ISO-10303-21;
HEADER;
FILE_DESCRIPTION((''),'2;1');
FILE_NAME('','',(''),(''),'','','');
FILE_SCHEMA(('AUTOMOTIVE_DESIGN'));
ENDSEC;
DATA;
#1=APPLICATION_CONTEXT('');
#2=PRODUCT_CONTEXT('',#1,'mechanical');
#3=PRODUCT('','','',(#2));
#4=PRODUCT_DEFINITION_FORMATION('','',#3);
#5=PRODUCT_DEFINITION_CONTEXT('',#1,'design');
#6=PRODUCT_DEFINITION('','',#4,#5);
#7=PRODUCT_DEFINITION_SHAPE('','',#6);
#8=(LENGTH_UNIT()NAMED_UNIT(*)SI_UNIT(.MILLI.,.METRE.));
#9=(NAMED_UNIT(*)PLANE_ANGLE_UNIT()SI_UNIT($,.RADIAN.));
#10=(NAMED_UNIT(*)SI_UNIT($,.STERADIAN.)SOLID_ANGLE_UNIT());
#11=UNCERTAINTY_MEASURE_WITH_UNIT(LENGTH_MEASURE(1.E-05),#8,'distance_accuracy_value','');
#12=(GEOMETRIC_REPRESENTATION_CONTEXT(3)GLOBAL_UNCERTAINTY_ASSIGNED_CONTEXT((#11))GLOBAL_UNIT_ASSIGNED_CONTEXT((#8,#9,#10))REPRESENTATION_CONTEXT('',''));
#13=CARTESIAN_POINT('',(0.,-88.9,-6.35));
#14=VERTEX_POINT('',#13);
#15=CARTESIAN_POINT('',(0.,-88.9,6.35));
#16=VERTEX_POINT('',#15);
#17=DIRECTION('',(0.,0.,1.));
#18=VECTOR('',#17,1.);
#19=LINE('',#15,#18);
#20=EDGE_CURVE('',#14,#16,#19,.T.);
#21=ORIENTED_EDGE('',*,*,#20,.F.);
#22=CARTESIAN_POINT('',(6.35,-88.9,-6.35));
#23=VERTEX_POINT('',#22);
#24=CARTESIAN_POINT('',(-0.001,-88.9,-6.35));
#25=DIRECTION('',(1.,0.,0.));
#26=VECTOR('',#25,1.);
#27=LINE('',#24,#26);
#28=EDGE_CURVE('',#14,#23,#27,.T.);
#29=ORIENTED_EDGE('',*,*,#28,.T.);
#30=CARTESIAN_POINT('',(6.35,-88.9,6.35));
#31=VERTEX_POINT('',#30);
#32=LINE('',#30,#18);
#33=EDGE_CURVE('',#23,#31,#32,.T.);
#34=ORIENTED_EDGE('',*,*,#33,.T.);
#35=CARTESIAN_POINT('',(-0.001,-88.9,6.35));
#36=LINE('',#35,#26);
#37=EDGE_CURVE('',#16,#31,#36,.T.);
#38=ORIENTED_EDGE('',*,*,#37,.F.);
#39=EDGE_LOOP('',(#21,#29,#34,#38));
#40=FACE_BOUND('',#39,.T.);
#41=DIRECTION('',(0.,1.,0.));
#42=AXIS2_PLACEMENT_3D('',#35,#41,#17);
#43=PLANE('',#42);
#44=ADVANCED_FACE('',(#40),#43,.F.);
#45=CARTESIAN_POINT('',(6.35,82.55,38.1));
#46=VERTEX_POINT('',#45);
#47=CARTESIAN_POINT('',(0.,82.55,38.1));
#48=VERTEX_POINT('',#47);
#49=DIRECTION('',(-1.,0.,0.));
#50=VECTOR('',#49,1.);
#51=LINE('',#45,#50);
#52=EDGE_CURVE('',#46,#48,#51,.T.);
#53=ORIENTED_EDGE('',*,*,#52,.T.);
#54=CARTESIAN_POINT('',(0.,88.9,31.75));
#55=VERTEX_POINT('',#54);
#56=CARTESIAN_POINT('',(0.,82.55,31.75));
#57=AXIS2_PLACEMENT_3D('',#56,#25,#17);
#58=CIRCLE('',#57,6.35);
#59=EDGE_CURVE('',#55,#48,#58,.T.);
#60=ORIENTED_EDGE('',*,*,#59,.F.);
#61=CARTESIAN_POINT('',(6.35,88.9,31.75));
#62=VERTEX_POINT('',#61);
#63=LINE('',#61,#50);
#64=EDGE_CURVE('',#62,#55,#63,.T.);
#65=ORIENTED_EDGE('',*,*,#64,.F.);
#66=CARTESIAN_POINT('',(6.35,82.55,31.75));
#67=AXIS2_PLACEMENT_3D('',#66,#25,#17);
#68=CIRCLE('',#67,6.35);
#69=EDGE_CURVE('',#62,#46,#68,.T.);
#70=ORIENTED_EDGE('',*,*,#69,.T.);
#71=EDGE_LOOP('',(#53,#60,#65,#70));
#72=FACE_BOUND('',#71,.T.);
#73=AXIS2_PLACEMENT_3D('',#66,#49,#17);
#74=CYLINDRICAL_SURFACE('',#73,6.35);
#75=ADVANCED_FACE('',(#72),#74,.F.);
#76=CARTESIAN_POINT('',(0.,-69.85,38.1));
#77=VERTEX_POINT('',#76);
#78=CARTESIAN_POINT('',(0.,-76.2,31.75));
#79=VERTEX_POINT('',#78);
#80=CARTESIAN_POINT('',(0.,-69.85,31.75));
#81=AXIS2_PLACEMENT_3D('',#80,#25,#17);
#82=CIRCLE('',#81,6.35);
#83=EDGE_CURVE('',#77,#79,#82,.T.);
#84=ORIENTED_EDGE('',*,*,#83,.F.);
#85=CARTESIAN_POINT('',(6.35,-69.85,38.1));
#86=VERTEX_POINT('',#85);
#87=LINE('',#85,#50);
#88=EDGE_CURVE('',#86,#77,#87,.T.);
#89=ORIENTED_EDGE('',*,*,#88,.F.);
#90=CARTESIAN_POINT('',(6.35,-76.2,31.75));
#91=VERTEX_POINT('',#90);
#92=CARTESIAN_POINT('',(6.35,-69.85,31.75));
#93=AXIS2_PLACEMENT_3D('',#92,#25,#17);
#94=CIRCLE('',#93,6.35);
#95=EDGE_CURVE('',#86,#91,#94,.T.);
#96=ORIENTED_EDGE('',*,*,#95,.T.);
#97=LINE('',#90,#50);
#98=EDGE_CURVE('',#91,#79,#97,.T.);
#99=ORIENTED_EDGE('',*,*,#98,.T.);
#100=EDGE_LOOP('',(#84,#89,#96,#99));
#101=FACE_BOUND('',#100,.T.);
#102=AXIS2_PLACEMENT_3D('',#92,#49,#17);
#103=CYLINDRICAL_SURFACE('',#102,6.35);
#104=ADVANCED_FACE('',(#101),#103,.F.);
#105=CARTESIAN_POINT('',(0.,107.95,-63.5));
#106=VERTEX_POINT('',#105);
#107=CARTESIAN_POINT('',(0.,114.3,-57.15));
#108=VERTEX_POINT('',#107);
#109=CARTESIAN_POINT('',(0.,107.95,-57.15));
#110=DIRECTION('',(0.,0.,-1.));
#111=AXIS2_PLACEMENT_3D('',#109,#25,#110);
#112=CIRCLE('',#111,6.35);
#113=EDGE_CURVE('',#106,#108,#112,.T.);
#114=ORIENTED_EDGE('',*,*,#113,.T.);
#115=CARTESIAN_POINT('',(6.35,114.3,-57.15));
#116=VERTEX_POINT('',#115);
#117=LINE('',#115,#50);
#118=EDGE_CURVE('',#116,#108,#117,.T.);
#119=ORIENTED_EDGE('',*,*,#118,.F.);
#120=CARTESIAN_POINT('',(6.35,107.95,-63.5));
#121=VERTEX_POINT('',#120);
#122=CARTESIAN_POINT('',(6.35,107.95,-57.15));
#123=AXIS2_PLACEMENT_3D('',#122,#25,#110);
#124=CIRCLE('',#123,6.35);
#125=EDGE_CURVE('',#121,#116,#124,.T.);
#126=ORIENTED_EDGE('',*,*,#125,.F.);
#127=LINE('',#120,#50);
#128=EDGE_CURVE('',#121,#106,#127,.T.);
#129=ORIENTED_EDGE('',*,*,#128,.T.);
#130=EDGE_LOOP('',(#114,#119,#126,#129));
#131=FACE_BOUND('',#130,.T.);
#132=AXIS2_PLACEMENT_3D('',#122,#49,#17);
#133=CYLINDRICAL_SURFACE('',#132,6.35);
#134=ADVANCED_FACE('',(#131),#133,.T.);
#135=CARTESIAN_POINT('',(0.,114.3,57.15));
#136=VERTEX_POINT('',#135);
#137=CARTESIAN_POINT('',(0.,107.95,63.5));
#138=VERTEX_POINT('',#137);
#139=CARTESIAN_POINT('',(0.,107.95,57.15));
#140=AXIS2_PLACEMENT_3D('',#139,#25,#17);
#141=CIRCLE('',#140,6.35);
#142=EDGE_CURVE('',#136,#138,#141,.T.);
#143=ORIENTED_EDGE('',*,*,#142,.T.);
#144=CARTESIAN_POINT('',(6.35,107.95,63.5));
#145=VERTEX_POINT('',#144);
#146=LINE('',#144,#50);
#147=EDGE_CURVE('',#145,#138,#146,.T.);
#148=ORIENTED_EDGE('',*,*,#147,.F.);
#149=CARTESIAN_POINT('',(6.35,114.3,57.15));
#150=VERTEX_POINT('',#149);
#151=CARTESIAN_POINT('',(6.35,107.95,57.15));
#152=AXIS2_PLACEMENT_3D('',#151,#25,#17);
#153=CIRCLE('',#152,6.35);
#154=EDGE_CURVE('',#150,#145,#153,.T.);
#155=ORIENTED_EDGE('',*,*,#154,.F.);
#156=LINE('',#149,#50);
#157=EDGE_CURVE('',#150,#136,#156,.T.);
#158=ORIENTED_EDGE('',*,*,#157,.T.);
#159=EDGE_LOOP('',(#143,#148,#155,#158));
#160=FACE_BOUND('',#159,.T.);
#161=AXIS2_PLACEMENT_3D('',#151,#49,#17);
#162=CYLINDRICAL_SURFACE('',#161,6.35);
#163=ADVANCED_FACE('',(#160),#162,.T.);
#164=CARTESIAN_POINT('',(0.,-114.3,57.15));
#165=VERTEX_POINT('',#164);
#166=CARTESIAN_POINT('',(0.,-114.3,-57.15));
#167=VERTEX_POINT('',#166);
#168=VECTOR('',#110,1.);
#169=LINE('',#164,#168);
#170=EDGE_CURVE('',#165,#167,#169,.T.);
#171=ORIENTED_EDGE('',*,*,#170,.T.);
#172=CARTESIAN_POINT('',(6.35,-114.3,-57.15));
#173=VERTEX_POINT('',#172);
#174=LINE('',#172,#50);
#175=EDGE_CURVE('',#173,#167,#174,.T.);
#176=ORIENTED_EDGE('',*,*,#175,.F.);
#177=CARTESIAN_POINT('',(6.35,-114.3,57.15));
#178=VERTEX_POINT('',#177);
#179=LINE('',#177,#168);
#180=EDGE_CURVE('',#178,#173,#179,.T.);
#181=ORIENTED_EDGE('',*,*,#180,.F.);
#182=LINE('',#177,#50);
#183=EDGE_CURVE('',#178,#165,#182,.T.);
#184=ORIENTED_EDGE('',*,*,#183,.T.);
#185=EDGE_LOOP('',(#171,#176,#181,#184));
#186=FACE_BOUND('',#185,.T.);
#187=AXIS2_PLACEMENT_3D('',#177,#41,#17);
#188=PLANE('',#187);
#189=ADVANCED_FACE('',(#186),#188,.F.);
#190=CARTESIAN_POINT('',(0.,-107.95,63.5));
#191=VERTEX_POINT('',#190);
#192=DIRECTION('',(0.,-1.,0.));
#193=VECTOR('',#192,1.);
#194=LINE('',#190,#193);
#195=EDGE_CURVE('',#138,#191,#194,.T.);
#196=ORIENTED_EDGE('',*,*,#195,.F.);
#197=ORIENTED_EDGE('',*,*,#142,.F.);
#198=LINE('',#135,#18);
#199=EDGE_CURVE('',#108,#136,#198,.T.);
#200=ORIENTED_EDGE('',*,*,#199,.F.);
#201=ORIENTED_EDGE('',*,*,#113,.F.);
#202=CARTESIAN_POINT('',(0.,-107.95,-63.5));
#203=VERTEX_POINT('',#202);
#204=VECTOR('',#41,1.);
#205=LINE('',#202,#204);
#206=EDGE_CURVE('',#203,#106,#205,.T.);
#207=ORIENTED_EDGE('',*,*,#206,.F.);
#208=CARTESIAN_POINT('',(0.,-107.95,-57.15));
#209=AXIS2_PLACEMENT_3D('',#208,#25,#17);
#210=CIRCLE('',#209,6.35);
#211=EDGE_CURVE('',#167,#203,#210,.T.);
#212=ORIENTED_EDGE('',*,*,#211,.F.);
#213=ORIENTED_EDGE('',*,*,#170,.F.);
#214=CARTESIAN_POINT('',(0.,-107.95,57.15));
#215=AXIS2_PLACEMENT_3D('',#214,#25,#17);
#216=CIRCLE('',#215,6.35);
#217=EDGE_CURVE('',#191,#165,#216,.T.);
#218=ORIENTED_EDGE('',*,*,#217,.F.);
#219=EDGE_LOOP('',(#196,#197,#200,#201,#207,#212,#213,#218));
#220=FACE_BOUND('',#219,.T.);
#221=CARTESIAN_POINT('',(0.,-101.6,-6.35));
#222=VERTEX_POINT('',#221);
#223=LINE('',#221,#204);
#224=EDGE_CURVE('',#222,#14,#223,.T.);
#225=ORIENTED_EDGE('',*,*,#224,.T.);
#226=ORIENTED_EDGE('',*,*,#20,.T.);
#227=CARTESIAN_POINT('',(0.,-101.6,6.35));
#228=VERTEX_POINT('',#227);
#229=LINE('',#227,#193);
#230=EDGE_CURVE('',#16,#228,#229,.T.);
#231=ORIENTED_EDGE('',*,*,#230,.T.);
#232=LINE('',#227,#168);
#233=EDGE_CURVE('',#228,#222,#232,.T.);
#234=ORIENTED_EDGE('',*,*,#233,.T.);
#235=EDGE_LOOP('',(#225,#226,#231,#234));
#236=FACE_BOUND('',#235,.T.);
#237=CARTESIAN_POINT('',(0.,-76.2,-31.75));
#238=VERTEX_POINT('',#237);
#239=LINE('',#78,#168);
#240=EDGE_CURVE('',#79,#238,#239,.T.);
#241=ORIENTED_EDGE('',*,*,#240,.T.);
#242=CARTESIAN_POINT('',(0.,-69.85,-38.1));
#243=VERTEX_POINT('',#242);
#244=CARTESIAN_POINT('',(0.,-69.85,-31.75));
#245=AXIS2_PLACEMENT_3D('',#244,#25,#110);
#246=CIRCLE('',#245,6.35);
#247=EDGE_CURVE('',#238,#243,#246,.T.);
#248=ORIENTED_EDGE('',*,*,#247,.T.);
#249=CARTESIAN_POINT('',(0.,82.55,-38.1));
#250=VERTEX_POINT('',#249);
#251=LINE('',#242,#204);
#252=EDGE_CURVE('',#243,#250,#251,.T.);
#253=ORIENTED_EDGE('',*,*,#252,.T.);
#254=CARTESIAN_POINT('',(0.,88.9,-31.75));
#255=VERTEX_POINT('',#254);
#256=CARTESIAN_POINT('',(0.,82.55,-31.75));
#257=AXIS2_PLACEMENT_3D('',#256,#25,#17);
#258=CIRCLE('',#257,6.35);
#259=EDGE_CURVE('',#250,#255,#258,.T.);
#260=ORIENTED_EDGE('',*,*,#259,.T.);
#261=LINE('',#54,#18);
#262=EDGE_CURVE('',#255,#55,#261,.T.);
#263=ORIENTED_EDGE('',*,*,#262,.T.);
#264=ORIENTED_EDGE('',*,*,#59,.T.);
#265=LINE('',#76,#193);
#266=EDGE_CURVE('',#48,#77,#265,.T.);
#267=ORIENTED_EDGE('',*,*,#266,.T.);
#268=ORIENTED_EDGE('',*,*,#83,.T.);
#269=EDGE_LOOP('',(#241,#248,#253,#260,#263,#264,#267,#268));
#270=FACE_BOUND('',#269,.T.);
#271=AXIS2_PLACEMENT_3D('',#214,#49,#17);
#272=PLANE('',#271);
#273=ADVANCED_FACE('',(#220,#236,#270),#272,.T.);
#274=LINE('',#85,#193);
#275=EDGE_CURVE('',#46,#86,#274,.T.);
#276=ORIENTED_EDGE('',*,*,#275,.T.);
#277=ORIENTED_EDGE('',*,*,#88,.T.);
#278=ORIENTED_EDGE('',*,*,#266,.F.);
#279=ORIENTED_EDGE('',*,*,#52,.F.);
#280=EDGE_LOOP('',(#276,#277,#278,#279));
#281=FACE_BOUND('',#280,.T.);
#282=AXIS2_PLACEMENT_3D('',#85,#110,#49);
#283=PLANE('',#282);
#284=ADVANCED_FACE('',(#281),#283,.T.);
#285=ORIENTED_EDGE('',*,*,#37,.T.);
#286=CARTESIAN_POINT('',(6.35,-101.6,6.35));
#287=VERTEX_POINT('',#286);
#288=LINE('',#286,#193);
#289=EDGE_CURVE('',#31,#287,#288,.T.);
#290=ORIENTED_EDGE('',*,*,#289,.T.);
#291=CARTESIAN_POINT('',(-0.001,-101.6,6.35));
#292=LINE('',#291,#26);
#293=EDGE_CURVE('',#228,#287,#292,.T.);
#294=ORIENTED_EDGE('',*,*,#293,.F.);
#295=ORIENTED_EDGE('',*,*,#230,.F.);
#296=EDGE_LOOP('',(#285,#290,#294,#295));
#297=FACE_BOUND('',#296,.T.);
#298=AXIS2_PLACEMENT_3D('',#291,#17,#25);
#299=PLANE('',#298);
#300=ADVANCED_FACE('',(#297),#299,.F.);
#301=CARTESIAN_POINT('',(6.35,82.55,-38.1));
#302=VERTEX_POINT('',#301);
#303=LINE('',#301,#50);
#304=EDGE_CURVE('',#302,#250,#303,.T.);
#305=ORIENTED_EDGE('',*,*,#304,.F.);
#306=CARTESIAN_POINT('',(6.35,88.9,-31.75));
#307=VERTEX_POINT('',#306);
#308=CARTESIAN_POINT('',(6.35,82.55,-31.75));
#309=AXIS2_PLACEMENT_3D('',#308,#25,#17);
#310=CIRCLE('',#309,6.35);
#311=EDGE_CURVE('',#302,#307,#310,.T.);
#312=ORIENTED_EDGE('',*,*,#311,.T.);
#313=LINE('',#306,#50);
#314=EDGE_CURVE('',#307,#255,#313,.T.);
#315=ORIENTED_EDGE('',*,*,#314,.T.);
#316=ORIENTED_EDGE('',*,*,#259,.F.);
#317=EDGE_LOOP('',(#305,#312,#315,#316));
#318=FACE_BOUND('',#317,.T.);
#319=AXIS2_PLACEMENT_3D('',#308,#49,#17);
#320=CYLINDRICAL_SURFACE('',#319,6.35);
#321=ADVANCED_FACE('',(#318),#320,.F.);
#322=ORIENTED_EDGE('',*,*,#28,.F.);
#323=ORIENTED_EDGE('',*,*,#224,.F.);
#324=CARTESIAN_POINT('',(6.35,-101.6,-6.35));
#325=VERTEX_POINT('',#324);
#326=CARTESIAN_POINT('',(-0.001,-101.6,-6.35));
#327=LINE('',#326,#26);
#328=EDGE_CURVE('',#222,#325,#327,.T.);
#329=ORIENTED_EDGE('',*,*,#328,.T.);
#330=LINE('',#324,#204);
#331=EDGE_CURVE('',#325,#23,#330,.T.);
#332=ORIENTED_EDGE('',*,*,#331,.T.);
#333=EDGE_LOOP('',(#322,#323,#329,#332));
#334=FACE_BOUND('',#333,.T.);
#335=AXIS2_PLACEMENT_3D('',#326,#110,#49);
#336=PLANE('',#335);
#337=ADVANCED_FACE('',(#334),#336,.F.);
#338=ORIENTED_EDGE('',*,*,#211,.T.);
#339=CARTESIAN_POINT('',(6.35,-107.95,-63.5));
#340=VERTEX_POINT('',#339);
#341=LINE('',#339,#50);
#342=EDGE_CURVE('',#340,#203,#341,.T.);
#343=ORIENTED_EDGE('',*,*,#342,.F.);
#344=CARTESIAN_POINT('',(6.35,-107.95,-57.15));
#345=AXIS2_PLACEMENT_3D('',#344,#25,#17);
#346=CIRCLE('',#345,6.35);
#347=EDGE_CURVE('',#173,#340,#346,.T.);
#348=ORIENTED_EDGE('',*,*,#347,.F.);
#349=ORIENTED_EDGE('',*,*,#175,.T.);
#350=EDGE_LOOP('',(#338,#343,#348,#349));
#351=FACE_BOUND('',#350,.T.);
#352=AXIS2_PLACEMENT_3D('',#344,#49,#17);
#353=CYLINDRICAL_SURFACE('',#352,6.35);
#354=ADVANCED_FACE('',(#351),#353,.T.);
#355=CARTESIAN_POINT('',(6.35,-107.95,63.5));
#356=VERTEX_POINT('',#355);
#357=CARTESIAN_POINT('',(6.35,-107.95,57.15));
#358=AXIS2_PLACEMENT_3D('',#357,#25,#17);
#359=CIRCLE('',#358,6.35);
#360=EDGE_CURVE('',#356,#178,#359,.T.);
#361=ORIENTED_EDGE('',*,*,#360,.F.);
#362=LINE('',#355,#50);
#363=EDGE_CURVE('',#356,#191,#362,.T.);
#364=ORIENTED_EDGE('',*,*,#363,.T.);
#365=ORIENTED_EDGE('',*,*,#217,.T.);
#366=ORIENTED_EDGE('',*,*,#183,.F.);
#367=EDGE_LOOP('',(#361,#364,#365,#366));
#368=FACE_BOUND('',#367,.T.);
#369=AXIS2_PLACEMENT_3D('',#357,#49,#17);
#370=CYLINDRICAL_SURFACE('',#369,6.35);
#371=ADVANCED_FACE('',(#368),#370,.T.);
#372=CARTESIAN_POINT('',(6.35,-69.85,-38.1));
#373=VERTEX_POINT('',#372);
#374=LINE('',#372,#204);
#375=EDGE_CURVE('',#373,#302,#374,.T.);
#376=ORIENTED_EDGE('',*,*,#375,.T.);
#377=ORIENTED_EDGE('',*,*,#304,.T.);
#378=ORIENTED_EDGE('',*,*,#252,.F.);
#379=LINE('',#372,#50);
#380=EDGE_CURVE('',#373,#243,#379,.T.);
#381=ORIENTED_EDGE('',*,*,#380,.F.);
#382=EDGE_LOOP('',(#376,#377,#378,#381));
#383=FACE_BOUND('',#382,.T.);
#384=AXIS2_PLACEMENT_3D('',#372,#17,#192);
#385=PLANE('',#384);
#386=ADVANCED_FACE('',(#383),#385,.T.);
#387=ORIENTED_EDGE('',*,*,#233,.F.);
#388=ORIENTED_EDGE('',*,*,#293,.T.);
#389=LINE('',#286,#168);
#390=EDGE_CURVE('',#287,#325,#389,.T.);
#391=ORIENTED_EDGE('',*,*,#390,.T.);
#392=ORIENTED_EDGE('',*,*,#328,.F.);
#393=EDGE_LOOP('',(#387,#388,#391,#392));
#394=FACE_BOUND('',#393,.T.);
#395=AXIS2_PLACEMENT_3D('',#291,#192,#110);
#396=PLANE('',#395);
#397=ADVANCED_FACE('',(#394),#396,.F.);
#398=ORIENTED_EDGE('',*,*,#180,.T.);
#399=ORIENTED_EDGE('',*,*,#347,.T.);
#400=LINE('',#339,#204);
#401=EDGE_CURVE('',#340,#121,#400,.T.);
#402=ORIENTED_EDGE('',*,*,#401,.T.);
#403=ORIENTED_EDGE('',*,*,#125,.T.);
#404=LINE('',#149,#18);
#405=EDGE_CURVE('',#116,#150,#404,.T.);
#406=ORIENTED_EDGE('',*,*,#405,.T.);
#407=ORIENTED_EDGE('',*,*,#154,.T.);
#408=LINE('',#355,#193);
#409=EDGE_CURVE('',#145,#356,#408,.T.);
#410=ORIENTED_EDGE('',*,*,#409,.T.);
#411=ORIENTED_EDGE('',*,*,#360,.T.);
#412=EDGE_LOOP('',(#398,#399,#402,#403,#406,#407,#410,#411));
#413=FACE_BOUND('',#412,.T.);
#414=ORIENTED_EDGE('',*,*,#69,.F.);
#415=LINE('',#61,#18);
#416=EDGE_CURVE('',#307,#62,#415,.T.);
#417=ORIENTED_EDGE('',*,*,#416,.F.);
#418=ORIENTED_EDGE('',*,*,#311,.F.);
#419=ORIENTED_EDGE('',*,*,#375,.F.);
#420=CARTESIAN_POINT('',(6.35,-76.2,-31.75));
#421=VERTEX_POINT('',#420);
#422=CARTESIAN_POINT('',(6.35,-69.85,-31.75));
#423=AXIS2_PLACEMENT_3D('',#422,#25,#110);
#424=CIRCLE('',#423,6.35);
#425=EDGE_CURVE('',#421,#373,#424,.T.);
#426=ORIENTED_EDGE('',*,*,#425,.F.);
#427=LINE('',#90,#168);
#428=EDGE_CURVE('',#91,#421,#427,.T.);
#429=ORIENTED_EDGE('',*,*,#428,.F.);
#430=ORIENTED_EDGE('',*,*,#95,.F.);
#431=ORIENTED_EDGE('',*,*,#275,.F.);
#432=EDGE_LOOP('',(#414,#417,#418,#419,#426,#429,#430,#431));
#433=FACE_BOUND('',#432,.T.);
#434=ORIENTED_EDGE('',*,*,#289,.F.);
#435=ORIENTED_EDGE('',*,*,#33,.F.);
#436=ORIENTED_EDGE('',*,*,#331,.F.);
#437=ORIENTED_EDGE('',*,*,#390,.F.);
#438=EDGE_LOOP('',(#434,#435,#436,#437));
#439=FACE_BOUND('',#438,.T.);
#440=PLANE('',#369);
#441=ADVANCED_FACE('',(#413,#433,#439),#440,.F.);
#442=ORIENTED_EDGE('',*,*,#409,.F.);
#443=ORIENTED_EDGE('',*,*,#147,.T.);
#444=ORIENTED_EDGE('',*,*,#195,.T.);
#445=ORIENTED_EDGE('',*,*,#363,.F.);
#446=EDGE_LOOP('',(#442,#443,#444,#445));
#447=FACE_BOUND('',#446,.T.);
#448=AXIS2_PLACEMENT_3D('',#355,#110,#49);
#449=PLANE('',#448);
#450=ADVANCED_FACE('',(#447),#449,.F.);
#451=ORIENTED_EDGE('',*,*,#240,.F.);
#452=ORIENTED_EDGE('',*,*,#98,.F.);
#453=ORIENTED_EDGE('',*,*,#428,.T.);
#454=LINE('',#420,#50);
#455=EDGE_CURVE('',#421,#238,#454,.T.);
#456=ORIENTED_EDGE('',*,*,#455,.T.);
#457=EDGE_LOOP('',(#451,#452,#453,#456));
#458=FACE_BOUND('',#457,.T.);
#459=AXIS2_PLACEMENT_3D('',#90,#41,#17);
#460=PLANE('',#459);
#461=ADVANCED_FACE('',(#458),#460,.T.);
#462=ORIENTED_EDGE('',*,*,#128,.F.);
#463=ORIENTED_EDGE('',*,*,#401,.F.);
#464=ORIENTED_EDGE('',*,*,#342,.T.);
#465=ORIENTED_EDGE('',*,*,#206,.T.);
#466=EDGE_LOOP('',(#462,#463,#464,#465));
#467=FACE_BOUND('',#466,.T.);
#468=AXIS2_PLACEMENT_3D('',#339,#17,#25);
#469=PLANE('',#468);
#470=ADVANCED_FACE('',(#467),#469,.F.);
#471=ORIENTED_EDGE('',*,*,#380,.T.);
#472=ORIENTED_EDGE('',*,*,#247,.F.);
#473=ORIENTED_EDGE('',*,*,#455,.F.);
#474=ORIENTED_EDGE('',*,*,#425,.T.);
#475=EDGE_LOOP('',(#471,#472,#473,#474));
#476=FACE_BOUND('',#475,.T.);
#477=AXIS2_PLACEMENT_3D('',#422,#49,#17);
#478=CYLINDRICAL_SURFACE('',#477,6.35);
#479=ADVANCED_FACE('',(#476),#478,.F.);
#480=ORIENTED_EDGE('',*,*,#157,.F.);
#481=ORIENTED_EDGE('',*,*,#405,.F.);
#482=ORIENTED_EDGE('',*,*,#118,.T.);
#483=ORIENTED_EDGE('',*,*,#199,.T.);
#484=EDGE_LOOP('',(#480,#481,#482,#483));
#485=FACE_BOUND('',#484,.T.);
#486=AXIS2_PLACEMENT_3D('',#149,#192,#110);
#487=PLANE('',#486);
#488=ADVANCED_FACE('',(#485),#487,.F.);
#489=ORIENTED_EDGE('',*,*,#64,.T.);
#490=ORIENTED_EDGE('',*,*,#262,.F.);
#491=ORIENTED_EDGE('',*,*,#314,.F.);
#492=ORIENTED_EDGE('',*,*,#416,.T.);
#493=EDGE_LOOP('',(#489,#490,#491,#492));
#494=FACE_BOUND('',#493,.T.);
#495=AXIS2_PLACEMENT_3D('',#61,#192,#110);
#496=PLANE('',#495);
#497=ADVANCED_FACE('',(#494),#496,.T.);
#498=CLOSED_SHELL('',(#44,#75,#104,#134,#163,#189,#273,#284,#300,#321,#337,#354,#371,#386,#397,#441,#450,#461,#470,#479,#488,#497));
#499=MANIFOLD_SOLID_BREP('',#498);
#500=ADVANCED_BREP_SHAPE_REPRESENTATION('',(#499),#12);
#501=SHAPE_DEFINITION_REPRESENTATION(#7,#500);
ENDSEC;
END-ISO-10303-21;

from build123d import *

# Parameters (mm, degrees)
BOSS_EXTRUDE2_DEPTH = 6.35
CUT_EXTRUDE1_REACH  = 132.909
SKETCH4_W           = 12.7
SKETCH4_H           = 12.7


with BuildPart() as part:
    # Sketch3 → Boss-Extrude2 (new body)
    with BuildSketch(Plane(origin=(0, 0, 0), x_dir=(0, 0, -1), z_dir=(1, 0, 0))):
        with BuildLine():
            Line((-57.15, -114.3), (57.15, -114.3))
            ThreePointArc((57.15, -114.3), (61.640128061, -112.440128061), (63.5, -107.95))
            Line((63.5, -107.95), (63.5, 107.95))
            ThreePointArc((63.5, 107.95), (61.640128061, 112.440128061), (57.15, 114.3))
            Line((57.15, 114.3), (-57.15, 114.3))
            ThreePointArc((-57.15, 114.3), (-61.640128061, 112.440128061), (-63.5, 107.95))
            Line((-63.5, 107.95), (-63.5, -107.95))
            ThreePointArc((-63.5, -107.95), (-61.640128061, -112.440128061), (-57.15, -114.3))
        make_face()
        with BuildLine():
            Line((-31.75, -76.2), (31.75, -76.2))
            ThreePointArc((31.75, -76.2), (36.240128061, -74.340128061), (38.1, -69.85))
            Line((38.1, -69.85), (38.1, 82.55))
            ThreePointArc((38.1, 82.55), (36.240128061, 87.040128061), (31.75, 88.9))
            Line((31.75, 88.9), (-31.75, 88.9))
            ThreePointArc((-31.75, 88.9), (-36.240128061, 87.040128061), (-38.1, 82.55))
            Line((-38.1, 82.55), (-38.1, -69.85))
            ThreePointArc((-38.1, -69.85), (-36.240128061, -74.340128061), (-31.75, -76.2))
        make_face(mode=Mode.SUBTRACT)
    extrude(amount=BOSS_EXTRUDE2_DEPTH)

    # Sketch4 → Cut-Extrude1 (cut, up to next)
    with BuildSketch(Plane(origin=(6.35, 0, 0), x_dir=(0, 0, -1), z_dir=(1, 0, 0)), mode=Mode.PRIVATE) as cut_extrude1_sk1:
        with Locations((0, -95.25)):
            Rectangle(SKETCH4_W, SKETCH4_H)
    cut_extrude1_tool1 = extrude(cut_extrude1_sk1.sketch, amount=-CUT_EXTRUDE1_REACH, mode=Mode.PRIVATE) & part.part
    add(cut_extrude1_tool1.solids().sort_by_distance((6.35, -95.25, 0))[0], mode=Mode.SUBTRACT)


solid = part.part
